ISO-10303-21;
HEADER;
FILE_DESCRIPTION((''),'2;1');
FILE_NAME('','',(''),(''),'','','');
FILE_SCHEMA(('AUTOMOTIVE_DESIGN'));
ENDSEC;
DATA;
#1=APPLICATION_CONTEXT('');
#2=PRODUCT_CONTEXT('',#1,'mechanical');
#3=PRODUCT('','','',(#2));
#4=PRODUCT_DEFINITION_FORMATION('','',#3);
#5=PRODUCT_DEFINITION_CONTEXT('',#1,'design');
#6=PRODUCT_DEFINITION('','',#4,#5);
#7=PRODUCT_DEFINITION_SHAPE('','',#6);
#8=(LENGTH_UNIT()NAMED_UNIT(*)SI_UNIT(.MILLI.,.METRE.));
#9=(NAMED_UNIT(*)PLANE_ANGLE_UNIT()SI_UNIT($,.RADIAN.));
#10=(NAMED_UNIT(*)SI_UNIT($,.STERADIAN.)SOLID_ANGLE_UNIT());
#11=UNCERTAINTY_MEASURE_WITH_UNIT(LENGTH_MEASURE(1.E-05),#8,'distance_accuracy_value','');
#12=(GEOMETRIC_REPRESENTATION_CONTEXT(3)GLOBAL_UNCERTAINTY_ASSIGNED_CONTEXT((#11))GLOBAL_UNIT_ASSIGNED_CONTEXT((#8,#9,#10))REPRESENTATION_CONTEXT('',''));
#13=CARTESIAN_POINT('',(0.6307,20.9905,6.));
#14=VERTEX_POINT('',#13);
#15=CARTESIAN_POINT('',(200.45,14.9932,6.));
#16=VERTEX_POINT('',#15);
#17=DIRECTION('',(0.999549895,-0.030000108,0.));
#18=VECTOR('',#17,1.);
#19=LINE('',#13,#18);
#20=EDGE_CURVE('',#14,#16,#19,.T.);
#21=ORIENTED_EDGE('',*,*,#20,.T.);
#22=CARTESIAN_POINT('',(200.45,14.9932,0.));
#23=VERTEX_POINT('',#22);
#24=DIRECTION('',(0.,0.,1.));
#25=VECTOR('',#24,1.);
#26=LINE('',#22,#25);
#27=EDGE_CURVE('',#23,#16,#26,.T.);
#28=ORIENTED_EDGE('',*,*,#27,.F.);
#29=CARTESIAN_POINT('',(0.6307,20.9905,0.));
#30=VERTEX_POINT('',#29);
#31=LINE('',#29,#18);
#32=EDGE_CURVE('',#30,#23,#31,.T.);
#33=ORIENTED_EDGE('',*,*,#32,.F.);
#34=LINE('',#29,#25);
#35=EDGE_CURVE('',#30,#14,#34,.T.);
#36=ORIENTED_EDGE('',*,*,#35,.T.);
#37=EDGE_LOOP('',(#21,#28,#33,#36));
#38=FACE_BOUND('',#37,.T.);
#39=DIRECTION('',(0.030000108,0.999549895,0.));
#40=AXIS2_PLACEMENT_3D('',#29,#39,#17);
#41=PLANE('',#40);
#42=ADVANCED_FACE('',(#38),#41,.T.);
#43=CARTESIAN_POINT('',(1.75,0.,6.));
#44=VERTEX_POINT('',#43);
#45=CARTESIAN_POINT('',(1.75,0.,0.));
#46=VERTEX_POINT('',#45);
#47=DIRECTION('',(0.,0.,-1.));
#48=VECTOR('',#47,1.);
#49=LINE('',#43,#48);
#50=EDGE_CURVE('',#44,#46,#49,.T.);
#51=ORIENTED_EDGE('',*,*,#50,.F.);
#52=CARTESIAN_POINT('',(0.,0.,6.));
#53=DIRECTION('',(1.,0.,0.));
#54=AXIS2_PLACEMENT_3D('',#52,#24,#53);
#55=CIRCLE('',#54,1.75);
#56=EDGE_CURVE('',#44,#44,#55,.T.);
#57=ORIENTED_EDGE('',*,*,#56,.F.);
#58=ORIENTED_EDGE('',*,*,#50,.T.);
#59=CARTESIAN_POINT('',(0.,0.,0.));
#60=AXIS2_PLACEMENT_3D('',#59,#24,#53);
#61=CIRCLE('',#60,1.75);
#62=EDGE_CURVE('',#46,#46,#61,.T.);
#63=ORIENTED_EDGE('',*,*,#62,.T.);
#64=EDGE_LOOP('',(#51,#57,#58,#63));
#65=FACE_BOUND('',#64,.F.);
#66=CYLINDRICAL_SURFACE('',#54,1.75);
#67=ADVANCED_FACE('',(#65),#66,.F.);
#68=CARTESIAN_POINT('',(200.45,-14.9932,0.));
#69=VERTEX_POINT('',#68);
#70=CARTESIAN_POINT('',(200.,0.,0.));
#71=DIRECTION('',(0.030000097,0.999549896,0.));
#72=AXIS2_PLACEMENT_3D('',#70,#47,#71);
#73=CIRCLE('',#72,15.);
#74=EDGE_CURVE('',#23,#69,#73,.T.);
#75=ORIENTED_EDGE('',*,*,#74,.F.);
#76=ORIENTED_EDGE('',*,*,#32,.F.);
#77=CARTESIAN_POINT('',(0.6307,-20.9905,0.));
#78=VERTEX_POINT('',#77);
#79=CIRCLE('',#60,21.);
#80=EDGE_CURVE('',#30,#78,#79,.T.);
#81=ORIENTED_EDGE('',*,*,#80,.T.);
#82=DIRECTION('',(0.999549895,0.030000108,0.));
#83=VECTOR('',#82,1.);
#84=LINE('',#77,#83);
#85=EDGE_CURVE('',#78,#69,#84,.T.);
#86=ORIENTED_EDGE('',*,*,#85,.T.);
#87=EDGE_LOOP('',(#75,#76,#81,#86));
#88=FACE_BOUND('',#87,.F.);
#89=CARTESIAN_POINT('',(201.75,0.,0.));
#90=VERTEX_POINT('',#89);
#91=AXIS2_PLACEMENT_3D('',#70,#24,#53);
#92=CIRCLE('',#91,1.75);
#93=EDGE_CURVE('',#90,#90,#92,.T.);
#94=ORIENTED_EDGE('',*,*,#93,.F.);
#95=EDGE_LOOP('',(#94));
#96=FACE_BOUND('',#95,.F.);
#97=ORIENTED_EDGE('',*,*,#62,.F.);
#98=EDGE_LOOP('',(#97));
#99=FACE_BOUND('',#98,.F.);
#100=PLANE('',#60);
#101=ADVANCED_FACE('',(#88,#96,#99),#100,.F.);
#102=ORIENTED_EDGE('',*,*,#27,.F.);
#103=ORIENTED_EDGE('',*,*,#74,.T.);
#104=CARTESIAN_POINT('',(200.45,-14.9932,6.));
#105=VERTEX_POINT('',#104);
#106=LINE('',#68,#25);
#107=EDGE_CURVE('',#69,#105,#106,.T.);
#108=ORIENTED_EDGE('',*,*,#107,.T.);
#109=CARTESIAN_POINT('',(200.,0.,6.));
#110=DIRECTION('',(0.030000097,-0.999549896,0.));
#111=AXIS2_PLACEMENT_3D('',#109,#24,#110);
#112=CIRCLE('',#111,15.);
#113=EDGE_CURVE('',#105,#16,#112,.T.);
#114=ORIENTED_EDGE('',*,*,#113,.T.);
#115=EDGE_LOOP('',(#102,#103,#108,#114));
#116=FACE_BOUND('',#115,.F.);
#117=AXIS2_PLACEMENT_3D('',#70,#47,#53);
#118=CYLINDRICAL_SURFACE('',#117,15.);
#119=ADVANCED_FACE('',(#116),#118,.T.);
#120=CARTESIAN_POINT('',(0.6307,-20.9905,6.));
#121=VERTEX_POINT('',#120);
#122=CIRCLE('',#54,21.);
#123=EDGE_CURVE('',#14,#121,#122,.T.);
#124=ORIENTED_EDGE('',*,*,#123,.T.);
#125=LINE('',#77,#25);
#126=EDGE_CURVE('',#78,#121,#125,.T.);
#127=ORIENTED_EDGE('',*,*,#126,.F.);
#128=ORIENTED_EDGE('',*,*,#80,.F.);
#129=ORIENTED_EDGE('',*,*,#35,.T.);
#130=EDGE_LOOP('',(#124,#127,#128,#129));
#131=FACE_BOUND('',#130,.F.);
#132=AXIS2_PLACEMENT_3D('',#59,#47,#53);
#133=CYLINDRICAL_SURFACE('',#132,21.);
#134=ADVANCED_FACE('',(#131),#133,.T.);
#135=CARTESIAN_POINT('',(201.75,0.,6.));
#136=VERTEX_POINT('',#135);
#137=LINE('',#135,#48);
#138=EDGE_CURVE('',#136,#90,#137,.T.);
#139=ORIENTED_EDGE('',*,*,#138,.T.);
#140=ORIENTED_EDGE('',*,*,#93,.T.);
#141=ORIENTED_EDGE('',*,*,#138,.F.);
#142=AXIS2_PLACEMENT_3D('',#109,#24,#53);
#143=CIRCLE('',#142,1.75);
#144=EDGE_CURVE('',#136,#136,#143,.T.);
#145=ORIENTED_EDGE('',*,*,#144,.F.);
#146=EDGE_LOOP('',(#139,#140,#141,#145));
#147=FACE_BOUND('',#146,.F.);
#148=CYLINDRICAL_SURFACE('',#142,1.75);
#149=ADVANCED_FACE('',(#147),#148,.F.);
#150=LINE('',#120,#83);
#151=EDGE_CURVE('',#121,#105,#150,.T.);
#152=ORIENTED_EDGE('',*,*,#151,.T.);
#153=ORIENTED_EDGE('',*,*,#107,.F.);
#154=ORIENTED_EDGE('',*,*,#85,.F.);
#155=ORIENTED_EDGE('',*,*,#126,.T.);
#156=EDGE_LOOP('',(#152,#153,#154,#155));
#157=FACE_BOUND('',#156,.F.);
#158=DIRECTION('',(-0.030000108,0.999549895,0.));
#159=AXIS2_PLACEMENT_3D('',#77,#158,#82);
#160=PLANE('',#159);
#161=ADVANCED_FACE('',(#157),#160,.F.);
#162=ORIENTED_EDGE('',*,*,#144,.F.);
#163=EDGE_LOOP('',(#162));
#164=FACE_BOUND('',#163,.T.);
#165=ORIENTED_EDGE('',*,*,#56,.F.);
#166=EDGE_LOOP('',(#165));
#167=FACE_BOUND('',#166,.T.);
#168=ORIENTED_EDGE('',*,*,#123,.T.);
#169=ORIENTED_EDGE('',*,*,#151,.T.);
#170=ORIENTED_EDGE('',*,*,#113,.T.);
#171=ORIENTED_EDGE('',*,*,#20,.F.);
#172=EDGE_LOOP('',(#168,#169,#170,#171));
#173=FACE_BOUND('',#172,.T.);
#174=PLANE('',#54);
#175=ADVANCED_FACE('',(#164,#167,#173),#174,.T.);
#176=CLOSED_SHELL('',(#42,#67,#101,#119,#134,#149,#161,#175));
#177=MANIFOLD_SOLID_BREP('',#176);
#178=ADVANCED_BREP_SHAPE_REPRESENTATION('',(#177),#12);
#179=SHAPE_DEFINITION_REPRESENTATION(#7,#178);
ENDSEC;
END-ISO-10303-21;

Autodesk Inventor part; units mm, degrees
ref_plane "YZ Plane" through (0, 0, 0) normal (1, 0, 0) x (0, 1, 0)
ref_plane "XZ Plane" through (0, 0, 0) normal (0, 1, 0) x (-1, 0, 0)
ref_plane "XY Plane" through (0, 0, 0) normal (0, 0, 1) x (1, 0, 0)
sketch "Sketch1" plane through (0, 0, 0) normal (0, 0, 1) x (1, 0, 0)
  circle A0 centre (0, 0) radius 21
  circle A1 centre (200, 0) radius 15
  line L0 (0, 0) -> (200, 0)
  line L1 (0.6307, 20.9905) -> (200.45, 14.9932)
  line L2 (0.6307, -20.9905) -> (200.45, -14.9932)
  dimension "d10" = 15
  dimension "d11" = 21
  dimension "d9" = 200
extrude "Extrusion1" add sketch "Sketch1" along normal blind 6
sketch "Sketch2" plane through (0, 0, 6) normal (0, 0, 1) x (1, 0, 0)
  circle A0 centre (0, 0) radius 1.75
  arc A1 (200.45, -14.9932) -> (200.45, 14.9932) centre (200, 0) ccw projected
  circle A2 centre (200, 0) radius 1.75
  point P0 (293.3543, -13.4475)
  point P1 (293.3543, 13.4475)
  point P2 (250.3596, -14.9957)
  point P3 (250.3596, 14.9957)
  dimension "d5" = 3.5
  dimension "d6" = 3.5
extrude "Extrusion2" cut sketch "Sketch2" against normal through all
properties part number "Tibia"
